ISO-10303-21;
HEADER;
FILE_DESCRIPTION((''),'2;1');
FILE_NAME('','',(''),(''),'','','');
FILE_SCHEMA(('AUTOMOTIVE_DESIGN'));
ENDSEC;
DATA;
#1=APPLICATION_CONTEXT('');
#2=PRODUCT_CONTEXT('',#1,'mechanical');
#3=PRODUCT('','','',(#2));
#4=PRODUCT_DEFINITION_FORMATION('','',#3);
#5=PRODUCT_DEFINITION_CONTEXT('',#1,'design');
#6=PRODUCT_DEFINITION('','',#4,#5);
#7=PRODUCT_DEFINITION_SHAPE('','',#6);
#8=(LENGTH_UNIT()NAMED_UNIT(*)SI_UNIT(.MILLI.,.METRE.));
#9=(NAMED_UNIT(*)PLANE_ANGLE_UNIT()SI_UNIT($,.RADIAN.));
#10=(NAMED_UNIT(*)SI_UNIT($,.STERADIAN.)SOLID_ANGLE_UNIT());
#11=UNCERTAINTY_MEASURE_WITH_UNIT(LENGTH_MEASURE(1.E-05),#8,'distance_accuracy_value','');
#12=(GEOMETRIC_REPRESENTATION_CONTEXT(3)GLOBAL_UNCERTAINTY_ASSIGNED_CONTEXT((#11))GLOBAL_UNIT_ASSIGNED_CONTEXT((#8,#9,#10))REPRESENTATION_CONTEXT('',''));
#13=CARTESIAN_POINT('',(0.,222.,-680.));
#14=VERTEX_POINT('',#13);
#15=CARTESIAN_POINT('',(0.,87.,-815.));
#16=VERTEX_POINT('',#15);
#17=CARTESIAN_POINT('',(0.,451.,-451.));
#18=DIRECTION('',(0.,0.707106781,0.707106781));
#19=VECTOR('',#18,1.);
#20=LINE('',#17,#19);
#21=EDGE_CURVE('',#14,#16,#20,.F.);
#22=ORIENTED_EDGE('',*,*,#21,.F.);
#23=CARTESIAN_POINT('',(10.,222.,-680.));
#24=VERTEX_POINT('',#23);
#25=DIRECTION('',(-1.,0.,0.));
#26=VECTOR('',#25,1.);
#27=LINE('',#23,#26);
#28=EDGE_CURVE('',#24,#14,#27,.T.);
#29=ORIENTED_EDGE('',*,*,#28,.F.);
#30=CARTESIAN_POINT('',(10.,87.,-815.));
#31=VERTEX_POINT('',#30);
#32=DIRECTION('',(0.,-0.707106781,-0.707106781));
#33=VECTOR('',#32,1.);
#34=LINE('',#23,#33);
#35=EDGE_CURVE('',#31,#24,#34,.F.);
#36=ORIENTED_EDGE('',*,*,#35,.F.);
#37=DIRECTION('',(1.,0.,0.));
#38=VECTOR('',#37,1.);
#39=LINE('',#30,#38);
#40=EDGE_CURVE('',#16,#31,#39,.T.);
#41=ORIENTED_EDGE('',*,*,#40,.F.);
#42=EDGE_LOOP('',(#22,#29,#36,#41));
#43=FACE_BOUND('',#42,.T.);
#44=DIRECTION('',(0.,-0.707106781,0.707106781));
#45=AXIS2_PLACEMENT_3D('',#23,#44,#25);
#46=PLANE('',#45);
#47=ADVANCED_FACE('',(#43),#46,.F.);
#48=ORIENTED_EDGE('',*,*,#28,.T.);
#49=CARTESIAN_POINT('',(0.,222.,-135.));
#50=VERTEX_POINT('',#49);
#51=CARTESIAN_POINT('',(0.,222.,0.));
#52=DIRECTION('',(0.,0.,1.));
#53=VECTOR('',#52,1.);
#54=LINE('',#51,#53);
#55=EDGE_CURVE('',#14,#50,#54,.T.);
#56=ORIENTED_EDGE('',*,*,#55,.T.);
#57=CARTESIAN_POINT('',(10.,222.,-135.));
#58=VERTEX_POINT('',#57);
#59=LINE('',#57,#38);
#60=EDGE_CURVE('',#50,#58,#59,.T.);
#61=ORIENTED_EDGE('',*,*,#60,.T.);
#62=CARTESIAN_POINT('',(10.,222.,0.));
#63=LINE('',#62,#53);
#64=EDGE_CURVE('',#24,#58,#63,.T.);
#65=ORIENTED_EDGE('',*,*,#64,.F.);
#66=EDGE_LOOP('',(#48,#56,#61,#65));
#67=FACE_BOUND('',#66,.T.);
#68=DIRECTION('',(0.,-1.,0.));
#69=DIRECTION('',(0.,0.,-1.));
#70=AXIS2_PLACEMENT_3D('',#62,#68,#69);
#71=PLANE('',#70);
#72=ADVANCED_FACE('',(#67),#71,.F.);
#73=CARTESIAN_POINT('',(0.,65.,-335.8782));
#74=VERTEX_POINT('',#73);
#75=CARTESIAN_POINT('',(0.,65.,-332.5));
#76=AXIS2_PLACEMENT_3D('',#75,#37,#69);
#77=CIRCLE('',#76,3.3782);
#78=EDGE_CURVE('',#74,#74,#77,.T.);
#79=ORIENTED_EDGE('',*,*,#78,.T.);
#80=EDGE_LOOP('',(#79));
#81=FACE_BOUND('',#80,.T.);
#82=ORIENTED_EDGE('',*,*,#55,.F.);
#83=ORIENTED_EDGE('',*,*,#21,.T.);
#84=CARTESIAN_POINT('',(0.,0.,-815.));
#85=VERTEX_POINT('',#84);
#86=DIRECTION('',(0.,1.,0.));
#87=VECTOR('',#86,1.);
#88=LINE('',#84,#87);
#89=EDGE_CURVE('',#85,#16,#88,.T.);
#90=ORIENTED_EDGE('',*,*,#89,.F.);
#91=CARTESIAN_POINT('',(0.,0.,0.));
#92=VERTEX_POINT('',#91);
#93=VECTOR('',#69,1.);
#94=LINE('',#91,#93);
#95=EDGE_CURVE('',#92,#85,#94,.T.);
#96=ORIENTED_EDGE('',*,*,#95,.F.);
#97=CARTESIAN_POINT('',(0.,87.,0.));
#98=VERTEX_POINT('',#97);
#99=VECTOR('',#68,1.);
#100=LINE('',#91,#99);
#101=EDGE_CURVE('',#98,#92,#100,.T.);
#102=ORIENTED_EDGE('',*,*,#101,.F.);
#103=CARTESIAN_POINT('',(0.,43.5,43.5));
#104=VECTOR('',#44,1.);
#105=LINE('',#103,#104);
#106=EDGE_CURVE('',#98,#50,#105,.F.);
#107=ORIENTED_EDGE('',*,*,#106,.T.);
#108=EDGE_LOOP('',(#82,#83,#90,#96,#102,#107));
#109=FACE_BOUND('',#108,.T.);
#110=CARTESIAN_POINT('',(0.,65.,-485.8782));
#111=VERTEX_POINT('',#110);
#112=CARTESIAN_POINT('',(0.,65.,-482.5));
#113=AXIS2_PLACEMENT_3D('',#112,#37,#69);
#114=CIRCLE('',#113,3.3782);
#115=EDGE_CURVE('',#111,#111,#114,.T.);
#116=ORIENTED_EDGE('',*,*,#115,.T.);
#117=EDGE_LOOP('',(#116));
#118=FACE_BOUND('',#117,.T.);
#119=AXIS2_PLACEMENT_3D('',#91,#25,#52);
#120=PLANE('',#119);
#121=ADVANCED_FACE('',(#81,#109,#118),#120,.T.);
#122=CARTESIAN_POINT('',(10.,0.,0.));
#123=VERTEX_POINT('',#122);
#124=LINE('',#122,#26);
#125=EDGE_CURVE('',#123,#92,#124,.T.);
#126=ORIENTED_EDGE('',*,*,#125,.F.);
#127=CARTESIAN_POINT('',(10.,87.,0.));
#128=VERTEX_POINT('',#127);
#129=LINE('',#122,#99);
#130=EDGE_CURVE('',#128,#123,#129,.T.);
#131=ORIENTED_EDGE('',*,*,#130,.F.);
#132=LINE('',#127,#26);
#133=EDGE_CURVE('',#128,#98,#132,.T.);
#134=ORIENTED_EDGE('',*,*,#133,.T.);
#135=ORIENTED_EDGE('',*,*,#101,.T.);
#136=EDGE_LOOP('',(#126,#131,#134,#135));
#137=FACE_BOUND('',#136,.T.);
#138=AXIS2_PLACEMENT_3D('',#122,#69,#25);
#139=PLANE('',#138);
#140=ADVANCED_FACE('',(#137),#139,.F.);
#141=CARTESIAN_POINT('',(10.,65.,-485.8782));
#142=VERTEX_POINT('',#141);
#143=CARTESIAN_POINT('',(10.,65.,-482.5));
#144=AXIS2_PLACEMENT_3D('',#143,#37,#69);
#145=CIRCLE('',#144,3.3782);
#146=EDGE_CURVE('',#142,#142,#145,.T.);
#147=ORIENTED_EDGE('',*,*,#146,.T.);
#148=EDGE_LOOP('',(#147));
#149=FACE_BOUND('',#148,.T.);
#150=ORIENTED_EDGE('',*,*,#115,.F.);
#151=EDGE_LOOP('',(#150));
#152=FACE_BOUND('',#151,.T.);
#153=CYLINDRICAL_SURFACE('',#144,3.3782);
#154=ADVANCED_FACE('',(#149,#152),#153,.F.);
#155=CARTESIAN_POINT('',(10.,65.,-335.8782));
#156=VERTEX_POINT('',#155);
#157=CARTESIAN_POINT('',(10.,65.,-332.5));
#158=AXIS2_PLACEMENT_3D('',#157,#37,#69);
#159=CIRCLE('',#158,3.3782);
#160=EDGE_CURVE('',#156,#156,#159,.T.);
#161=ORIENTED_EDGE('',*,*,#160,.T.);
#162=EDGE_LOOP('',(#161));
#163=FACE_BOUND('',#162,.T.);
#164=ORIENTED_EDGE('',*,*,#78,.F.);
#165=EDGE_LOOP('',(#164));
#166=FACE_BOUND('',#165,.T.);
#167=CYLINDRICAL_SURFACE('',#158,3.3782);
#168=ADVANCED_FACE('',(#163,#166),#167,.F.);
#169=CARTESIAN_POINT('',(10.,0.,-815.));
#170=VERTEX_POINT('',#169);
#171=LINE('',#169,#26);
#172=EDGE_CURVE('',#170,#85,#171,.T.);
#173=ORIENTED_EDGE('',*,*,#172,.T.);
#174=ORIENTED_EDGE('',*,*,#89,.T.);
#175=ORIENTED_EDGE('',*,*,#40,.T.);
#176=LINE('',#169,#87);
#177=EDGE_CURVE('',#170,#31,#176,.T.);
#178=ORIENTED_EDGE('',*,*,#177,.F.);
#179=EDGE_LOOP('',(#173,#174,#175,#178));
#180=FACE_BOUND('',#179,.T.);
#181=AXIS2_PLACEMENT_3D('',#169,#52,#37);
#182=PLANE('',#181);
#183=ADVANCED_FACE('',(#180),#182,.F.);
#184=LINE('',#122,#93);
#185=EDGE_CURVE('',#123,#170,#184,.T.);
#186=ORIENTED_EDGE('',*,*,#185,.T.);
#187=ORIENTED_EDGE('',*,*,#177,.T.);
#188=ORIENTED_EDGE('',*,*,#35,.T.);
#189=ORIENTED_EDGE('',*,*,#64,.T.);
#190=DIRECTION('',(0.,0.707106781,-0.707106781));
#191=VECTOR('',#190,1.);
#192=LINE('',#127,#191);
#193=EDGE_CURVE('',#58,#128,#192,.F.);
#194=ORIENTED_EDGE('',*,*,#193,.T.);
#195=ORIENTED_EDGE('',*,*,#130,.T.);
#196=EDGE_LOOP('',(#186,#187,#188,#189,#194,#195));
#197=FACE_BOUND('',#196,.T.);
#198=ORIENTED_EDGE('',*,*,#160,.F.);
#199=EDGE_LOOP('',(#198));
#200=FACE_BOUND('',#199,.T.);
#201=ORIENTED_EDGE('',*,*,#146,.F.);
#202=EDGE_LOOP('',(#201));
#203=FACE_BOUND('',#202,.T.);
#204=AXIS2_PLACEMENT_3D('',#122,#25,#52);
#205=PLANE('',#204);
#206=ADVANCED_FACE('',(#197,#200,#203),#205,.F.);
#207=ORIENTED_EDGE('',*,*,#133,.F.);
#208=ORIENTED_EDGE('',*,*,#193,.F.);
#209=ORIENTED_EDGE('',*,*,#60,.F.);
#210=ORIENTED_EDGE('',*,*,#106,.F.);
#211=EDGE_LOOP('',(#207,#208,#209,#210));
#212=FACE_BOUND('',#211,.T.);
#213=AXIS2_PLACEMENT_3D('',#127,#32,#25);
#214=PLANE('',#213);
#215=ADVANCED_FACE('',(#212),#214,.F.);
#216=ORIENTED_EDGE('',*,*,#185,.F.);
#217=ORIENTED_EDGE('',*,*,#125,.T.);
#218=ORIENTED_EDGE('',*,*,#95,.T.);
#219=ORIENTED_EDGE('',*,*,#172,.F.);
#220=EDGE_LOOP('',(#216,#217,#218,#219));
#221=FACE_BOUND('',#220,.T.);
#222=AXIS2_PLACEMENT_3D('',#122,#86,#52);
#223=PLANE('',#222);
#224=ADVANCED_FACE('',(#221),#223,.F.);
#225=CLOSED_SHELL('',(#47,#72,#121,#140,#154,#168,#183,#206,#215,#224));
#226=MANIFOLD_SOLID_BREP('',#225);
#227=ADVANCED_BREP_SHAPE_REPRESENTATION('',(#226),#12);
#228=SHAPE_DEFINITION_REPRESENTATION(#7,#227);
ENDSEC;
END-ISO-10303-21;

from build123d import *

# Parameters (mm, degrees)
SKETCH1_W               = 815
SKETCH1_H               = 222
BOSS_EXTRUDE1_DEPTH     = 10
CHAMFER1_SIZE           = 135
F_1_4_CLEARANCE_HOLE1_D = 6.7564


with BuildPart() as part:
    # Sketch1 → Boss-Extrude1 (new body)
    with BuildSketch(Plane(origin=(0, 0, 0), x_dir=(0, 0, -1), z_dir=(1, 0, 0))):
        with Locations((407.5, 111)):
            Rectangle(SKETCH1_W, SKETCH1_H)
    extrude(amount=BOSS_EXTRUDE1_DEPTH)

    # Chamfer1
    chamfer1_edges = [part.edges().sort_by_distance(p)[0] for p in [
        (5, 222, 0),
        (5, 222, -815),
    ]]
    chamfer(chamfer1_edges, length=CHAMFER1_SIZE)

    # 1/4 Clearance Hole1 (through all)
    with Locations(Plane(origin=(10, 0, 0), x_dir=(0, 0, -1), z_dir=(1, 0, 0))):
        with Locations((482.5, 65), (332.5, 65)):
            Hole(F_1_4_CLEARANCE_HOLE1_D / 2)


solid = part.part
